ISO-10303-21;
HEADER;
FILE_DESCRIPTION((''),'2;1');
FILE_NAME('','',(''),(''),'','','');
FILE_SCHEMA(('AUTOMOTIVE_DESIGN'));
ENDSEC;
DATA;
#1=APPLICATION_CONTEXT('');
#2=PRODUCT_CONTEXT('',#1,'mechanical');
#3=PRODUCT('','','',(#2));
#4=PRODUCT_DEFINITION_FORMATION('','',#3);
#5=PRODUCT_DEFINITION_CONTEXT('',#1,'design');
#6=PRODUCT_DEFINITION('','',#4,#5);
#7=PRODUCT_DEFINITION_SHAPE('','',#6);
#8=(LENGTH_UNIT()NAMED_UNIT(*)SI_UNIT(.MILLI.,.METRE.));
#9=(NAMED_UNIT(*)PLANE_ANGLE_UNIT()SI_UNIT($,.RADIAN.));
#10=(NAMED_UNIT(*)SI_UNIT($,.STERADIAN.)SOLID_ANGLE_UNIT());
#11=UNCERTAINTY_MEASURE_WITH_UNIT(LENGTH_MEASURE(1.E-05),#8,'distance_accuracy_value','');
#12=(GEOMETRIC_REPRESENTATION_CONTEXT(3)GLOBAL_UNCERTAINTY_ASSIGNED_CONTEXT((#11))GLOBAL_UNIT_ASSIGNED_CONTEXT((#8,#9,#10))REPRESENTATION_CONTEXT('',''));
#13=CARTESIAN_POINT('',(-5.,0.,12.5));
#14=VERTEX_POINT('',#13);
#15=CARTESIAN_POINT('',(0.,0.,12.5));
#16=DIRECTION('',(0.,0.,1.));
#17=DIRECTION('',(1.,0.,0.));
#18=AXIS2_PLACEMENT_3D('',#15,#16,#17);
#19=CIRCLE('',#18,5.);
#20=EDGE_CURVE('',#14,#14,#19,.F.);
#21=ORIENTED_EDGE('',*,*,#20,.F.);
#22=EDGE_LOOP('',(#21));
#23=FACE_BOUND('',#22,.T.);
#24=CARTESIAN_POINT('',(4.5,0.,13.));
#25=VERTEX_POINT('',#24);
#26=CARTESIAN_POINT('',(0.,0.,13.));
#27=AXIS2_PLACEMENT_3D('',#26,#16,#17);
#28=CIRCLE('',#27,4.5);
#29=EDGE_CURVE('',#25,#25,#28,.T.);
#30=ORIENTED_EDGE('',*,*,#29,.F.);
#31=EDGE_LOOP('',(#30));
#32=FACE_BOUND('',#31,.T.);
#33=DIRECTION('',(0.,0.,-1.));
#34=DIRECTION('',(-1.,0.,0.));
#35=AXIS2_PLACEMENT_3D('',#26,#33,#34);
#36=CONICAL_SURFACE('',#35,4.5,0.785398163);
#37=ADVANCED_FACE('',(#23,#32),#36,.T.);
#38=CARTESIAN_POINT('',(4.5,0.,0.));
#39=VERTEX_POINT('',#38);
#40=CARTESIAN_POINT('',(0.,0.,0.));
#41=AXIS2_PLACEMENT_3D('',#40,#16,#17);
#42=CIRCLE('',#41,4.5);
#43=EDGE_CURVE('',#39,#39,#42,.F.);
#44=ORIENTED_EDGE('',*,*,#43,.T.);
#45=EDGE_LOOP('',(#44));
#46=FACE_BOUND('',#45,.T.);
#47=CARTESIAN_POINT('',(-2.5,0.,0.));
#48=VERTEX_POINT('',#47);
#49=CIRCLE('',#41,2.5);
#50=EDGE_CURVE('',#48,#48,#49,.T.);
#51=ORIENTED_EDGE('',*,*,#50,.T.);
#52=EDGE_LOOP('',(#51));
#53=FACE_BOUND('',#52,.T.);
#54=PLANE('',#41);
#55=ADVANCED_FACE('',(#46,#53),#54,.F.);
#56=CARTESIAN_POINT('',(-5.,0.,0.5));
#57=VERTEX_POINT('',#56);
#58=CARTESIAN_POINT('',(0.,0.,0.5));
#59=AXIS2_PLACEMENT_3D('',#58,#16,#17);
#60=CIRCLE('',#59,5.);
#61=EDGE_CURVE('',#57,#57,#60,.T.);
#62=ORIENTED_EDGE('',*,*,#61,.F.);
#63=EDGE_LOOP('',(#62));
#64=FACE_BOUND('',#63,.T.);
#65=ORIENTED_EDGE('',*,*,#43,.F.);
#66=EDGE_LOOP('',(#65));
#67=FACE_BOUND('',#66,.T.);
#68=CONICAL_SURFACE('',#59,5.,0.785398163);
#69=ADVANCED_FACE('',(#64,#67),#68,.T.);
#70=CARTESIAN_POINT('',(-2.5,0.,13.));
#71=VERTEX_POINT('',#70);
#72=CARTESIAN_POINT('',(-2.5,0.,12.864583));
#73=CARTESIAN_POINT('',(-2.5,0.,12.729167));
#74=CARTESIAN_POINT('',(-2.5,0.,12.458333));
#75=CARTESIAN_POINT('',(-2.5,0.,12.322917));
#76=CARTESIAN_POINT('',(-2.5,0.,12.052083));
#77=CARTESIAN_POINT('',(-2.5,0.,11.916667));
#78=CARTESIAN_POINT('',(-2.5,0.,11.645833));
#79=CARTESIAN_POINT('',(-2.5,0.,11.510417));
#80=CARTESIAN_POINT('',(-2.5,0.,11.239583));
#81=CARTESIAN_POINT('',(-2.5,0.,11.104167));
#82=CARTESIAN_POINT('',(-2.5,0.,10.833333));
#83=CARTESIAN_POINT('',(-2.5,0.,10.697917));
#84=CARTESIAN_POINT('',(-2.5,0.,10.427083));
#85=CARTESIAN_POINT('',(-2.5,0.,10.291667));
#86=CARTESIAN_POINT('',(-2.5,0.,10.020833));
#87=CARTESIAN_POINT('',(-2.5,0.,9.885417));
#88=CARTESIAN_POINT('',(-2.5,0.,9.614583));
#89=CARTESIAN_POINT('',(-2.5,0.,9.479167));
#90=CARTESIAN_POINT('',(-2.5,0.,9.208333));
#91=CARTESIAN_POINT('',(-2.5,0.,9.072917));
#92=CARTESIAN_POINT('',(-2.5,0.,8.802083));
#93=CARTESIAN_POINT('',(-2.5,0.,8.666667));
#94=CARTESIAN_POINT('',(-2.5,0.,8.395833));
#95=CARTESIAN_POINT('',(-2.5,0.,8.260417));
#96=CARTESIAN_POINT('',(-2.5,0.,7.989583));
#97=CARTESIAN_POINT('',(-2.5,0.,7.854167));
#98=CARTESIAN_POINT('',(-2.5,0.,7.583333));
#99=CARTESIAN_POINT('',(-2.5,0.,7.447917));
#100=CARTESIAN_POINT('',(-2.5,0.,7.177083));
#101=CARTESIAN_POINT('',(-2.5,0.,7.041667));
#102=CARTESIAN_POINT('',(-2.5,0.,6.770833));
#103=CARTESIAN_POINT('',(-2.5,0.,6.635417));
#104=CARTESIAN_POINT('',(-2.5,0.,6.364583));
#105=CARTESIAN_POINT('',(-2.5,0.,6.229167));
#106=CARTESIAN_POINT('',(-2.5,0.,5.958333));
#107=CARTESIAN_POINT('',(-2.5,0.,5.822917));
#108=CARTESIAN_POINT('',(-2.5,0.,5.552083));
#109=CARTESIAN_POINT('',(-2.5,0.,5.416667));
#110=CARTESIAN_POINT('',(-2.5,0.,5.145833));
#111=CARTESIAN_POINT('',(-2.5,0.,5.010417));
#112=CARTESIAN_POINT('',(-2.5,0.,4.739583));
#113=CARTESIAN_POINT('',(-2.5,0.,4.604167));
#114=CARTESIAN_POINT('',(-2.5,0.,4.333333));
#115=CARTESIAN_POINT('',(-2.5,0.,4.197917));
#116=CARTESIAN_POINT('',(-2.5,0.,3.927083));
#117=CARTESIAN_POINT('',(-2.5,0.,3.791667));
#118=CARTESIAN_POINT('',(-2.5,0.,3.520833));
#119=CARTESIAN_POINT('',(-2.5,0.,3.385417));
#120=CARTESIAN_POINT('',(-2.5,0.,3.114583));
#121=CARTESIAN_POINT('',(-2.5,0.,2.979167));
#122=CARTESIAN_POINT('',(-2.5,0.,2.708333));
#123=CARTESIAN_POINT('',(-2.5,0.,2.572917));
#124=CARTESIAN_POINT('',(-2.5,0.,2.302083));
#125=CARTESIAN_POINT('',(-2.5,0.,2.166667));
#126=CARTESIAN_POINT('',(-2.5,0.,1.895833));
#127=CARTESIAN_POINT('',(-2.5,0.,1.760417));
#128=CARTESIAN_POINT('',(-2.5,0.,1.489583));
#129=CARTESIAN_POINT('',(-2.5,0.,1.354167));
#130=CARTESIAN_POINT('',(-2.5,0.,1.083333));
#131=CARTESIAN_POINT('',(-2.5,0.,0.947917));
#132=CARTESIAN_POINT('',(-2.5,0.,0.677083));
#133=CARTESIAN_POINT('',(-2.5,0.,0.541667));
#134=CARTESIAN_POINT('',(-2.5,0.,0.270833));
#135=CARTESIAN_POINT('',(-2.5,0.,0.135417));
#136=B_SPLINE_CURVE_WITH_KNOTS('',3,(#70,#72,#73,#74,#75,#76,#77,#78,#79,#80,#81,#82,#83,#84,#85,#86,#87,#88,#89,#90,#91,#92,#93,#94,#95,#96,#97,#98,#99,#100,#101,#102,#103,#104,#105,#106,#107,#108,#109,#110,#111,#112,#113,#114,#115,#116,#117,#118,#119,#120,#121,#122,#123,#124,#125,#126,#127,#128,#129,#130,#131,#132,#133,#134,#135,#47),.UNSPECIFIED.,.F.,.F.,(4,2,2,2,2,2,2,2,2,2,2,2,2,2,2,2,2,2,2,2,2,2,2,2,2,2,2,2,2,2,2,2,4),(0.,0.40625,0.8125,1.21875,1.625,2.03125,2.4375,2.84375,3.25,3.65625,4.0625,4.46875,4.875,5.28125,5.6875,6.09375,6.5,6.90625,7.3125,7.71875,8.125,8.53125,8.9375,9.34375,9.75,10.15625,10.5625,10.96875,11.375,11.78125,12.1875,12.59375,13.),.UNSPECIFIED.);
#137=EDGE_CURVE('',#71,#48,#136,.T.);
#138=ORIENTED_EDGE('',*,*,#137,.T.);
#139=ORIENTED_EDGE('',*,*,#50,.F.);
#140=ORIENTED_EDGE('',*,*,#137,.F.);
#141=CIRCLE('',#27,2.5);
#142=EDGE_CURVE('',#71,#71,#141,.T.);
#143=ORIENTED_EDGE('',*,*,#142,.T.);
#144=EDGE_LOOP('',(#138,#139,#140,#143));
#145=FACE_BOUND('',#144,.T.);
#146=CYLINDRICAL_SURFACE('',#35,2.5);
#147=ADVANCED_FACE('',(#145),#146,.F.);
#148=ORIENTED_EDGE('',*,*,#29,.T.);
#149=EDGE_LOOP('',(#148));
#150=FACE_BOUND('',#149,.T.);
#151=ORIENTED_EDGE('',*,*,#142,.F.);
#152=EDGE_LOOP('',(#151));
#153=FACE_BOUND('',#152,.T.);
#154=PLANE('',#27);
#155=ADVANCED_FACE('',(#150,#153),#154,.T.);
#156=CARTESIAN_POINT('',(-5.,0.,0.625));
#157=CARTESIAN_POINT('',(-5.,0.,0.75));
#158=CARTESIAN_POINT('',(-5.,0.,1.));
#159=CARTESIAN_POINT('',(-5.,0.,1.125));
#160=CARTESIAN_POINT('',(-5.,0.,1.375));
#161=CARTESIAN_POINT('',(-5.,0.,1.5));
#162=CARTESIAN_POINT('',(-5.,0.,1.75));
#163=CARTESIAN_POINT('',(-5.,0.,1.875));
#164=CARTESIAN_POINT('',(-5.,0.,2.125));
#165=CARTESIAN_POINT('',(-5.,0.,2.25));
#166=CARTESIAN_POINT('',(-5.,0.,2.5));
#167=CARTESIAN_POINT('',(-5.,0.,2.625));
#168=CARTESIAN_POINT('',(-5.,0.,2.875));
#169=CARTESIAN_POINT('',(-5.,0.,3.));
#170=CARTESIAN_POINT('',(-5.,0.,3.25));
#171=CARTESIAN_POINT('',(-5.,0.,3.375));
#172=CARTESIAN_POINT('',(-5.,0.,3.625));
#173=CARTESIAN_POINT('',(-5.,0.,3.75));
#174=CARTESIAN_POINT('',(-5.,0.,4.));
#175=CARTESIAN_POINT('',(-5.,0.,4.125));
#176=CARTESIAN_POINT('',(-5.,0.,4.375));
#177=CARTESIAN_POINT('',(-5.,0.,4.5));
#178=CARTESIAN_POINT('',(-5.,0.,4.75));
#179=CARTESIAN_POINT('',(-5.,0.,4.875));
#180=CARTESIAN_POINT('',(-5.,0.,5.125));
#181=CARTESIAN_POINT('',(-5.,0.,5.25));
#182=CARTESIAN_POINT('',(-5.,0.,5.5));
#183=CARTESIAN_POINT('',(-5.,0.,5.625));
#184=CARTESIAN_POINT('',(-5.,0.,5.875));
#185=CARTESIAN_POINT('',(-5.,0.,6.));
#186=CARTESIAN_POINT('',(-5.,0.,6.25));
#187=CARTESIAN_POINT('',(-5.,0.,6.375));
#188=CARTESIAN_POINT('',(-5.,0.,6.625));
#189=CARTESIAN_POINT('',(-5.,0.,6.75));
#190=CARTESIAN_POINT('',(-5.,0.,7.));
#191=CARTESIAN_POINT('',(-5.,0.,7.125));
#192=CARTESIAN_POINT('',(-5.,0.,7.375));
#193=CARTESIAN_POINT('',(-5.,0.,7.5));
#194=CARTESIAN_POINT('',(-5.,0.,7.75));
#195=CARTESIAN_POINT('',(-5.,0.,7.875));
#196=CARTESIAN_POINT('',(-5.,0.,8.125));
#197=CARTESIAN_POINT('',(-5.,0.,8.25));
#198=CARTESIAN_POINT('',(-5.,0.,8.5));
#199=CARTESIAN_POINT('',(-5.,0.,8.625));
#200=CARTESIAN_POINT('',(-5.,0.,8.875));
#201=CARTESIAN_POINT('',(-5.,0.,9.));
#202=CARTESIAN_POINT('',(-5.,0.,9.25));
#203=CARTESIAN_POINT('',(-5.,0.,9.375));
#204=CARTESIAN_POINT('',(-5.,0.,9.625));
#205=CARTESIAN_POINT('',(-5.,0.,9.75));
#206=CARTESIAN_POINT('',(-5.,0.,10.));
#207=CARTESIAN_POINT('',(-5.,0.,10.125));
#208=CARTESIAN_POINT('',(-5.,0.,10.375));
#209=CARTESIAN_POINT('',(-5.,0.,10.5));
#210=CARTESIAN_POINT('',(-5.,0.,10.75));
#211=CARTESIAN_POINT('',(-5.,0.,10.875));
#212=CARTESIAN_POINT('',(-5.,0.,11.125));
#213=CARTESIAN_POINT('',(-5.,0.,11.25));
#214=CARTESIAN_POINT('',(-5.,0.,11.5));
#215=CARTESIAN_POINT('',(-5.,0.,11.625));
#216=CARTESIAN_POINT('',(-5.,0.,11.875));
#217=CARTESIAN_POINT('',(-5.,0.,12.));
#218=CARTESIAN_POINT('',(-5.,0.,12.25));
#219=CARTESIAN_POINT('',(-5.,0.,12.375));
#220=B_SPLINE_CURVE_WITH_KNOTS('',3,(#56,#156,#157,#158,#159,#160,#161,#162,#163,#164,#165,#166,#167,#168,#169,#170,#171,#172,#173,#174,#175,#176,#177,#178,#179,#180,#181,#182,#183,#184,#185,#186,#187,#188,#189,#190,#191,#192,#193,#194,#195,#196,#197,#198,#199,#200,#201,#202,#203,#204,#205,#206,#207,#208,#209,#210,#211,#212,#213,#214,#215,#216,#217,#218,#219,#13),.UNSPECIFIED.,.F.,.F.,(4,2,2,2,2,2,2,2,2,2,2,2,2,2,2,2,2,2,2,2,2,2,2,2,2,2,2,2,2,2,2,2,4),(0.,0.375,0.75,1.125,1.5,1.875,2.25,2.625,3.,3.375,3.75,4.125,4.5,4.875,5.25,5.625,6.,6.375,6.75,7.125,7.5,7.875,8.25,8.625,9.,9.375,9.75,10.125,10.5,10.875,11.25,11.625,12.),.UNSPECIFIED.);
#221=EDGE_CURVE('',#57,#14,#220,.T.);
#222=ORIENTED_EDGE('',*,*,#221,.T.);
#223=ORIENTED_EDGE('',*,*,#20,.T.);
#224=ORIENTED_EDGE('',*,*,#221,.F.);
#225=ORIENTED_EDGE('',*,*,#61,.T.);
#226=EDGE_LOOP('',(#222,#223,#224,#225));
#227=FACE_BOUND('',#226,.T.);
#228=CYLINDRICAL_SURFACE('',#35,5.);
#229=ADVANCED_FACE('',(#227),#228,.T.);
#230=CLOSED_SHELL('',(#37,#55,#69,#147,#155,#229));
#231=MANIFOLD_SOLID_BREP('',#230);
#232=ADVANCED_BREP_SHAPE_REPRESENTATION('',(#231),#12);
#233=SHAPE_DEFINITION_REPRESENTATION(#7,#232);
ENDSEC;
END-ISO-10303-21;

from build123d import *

# Parameters (mm, degrees)
SKETCH1_R           = 5
SKETCH1_R_2         = 2.5
BOSS_EXTRUDE1_DEPTH = 13
CHAMFER1_SIZE       = 0.5


with BuildPart() as part:
    # Sketch1 → Boss-Extrude1 (new body)
    with BuildSketch(Plane.XY):
        with Locations(Location((0, 0, 0), (0, 0, 180))):
            Circle(SKETCH1_R)
        with Locations(Location((0, 0, 0), (0, 0, 180))):
            Circle(SKETCH1_R_2, mode=Mode.SUBTRACT)
    extrude(amount=BOSS_EXTRUDE1_DEPTH)

    # Chamfer1
    chamfer1_edges = [part.edges().sort_by_distance(p)[0] for p in [
        (5, 0, 0),
        (5, 0, 13),
    ]]
    chamfer(chamfer1_edges, length=CHAMFER1_SIZE)


solid = part.part
